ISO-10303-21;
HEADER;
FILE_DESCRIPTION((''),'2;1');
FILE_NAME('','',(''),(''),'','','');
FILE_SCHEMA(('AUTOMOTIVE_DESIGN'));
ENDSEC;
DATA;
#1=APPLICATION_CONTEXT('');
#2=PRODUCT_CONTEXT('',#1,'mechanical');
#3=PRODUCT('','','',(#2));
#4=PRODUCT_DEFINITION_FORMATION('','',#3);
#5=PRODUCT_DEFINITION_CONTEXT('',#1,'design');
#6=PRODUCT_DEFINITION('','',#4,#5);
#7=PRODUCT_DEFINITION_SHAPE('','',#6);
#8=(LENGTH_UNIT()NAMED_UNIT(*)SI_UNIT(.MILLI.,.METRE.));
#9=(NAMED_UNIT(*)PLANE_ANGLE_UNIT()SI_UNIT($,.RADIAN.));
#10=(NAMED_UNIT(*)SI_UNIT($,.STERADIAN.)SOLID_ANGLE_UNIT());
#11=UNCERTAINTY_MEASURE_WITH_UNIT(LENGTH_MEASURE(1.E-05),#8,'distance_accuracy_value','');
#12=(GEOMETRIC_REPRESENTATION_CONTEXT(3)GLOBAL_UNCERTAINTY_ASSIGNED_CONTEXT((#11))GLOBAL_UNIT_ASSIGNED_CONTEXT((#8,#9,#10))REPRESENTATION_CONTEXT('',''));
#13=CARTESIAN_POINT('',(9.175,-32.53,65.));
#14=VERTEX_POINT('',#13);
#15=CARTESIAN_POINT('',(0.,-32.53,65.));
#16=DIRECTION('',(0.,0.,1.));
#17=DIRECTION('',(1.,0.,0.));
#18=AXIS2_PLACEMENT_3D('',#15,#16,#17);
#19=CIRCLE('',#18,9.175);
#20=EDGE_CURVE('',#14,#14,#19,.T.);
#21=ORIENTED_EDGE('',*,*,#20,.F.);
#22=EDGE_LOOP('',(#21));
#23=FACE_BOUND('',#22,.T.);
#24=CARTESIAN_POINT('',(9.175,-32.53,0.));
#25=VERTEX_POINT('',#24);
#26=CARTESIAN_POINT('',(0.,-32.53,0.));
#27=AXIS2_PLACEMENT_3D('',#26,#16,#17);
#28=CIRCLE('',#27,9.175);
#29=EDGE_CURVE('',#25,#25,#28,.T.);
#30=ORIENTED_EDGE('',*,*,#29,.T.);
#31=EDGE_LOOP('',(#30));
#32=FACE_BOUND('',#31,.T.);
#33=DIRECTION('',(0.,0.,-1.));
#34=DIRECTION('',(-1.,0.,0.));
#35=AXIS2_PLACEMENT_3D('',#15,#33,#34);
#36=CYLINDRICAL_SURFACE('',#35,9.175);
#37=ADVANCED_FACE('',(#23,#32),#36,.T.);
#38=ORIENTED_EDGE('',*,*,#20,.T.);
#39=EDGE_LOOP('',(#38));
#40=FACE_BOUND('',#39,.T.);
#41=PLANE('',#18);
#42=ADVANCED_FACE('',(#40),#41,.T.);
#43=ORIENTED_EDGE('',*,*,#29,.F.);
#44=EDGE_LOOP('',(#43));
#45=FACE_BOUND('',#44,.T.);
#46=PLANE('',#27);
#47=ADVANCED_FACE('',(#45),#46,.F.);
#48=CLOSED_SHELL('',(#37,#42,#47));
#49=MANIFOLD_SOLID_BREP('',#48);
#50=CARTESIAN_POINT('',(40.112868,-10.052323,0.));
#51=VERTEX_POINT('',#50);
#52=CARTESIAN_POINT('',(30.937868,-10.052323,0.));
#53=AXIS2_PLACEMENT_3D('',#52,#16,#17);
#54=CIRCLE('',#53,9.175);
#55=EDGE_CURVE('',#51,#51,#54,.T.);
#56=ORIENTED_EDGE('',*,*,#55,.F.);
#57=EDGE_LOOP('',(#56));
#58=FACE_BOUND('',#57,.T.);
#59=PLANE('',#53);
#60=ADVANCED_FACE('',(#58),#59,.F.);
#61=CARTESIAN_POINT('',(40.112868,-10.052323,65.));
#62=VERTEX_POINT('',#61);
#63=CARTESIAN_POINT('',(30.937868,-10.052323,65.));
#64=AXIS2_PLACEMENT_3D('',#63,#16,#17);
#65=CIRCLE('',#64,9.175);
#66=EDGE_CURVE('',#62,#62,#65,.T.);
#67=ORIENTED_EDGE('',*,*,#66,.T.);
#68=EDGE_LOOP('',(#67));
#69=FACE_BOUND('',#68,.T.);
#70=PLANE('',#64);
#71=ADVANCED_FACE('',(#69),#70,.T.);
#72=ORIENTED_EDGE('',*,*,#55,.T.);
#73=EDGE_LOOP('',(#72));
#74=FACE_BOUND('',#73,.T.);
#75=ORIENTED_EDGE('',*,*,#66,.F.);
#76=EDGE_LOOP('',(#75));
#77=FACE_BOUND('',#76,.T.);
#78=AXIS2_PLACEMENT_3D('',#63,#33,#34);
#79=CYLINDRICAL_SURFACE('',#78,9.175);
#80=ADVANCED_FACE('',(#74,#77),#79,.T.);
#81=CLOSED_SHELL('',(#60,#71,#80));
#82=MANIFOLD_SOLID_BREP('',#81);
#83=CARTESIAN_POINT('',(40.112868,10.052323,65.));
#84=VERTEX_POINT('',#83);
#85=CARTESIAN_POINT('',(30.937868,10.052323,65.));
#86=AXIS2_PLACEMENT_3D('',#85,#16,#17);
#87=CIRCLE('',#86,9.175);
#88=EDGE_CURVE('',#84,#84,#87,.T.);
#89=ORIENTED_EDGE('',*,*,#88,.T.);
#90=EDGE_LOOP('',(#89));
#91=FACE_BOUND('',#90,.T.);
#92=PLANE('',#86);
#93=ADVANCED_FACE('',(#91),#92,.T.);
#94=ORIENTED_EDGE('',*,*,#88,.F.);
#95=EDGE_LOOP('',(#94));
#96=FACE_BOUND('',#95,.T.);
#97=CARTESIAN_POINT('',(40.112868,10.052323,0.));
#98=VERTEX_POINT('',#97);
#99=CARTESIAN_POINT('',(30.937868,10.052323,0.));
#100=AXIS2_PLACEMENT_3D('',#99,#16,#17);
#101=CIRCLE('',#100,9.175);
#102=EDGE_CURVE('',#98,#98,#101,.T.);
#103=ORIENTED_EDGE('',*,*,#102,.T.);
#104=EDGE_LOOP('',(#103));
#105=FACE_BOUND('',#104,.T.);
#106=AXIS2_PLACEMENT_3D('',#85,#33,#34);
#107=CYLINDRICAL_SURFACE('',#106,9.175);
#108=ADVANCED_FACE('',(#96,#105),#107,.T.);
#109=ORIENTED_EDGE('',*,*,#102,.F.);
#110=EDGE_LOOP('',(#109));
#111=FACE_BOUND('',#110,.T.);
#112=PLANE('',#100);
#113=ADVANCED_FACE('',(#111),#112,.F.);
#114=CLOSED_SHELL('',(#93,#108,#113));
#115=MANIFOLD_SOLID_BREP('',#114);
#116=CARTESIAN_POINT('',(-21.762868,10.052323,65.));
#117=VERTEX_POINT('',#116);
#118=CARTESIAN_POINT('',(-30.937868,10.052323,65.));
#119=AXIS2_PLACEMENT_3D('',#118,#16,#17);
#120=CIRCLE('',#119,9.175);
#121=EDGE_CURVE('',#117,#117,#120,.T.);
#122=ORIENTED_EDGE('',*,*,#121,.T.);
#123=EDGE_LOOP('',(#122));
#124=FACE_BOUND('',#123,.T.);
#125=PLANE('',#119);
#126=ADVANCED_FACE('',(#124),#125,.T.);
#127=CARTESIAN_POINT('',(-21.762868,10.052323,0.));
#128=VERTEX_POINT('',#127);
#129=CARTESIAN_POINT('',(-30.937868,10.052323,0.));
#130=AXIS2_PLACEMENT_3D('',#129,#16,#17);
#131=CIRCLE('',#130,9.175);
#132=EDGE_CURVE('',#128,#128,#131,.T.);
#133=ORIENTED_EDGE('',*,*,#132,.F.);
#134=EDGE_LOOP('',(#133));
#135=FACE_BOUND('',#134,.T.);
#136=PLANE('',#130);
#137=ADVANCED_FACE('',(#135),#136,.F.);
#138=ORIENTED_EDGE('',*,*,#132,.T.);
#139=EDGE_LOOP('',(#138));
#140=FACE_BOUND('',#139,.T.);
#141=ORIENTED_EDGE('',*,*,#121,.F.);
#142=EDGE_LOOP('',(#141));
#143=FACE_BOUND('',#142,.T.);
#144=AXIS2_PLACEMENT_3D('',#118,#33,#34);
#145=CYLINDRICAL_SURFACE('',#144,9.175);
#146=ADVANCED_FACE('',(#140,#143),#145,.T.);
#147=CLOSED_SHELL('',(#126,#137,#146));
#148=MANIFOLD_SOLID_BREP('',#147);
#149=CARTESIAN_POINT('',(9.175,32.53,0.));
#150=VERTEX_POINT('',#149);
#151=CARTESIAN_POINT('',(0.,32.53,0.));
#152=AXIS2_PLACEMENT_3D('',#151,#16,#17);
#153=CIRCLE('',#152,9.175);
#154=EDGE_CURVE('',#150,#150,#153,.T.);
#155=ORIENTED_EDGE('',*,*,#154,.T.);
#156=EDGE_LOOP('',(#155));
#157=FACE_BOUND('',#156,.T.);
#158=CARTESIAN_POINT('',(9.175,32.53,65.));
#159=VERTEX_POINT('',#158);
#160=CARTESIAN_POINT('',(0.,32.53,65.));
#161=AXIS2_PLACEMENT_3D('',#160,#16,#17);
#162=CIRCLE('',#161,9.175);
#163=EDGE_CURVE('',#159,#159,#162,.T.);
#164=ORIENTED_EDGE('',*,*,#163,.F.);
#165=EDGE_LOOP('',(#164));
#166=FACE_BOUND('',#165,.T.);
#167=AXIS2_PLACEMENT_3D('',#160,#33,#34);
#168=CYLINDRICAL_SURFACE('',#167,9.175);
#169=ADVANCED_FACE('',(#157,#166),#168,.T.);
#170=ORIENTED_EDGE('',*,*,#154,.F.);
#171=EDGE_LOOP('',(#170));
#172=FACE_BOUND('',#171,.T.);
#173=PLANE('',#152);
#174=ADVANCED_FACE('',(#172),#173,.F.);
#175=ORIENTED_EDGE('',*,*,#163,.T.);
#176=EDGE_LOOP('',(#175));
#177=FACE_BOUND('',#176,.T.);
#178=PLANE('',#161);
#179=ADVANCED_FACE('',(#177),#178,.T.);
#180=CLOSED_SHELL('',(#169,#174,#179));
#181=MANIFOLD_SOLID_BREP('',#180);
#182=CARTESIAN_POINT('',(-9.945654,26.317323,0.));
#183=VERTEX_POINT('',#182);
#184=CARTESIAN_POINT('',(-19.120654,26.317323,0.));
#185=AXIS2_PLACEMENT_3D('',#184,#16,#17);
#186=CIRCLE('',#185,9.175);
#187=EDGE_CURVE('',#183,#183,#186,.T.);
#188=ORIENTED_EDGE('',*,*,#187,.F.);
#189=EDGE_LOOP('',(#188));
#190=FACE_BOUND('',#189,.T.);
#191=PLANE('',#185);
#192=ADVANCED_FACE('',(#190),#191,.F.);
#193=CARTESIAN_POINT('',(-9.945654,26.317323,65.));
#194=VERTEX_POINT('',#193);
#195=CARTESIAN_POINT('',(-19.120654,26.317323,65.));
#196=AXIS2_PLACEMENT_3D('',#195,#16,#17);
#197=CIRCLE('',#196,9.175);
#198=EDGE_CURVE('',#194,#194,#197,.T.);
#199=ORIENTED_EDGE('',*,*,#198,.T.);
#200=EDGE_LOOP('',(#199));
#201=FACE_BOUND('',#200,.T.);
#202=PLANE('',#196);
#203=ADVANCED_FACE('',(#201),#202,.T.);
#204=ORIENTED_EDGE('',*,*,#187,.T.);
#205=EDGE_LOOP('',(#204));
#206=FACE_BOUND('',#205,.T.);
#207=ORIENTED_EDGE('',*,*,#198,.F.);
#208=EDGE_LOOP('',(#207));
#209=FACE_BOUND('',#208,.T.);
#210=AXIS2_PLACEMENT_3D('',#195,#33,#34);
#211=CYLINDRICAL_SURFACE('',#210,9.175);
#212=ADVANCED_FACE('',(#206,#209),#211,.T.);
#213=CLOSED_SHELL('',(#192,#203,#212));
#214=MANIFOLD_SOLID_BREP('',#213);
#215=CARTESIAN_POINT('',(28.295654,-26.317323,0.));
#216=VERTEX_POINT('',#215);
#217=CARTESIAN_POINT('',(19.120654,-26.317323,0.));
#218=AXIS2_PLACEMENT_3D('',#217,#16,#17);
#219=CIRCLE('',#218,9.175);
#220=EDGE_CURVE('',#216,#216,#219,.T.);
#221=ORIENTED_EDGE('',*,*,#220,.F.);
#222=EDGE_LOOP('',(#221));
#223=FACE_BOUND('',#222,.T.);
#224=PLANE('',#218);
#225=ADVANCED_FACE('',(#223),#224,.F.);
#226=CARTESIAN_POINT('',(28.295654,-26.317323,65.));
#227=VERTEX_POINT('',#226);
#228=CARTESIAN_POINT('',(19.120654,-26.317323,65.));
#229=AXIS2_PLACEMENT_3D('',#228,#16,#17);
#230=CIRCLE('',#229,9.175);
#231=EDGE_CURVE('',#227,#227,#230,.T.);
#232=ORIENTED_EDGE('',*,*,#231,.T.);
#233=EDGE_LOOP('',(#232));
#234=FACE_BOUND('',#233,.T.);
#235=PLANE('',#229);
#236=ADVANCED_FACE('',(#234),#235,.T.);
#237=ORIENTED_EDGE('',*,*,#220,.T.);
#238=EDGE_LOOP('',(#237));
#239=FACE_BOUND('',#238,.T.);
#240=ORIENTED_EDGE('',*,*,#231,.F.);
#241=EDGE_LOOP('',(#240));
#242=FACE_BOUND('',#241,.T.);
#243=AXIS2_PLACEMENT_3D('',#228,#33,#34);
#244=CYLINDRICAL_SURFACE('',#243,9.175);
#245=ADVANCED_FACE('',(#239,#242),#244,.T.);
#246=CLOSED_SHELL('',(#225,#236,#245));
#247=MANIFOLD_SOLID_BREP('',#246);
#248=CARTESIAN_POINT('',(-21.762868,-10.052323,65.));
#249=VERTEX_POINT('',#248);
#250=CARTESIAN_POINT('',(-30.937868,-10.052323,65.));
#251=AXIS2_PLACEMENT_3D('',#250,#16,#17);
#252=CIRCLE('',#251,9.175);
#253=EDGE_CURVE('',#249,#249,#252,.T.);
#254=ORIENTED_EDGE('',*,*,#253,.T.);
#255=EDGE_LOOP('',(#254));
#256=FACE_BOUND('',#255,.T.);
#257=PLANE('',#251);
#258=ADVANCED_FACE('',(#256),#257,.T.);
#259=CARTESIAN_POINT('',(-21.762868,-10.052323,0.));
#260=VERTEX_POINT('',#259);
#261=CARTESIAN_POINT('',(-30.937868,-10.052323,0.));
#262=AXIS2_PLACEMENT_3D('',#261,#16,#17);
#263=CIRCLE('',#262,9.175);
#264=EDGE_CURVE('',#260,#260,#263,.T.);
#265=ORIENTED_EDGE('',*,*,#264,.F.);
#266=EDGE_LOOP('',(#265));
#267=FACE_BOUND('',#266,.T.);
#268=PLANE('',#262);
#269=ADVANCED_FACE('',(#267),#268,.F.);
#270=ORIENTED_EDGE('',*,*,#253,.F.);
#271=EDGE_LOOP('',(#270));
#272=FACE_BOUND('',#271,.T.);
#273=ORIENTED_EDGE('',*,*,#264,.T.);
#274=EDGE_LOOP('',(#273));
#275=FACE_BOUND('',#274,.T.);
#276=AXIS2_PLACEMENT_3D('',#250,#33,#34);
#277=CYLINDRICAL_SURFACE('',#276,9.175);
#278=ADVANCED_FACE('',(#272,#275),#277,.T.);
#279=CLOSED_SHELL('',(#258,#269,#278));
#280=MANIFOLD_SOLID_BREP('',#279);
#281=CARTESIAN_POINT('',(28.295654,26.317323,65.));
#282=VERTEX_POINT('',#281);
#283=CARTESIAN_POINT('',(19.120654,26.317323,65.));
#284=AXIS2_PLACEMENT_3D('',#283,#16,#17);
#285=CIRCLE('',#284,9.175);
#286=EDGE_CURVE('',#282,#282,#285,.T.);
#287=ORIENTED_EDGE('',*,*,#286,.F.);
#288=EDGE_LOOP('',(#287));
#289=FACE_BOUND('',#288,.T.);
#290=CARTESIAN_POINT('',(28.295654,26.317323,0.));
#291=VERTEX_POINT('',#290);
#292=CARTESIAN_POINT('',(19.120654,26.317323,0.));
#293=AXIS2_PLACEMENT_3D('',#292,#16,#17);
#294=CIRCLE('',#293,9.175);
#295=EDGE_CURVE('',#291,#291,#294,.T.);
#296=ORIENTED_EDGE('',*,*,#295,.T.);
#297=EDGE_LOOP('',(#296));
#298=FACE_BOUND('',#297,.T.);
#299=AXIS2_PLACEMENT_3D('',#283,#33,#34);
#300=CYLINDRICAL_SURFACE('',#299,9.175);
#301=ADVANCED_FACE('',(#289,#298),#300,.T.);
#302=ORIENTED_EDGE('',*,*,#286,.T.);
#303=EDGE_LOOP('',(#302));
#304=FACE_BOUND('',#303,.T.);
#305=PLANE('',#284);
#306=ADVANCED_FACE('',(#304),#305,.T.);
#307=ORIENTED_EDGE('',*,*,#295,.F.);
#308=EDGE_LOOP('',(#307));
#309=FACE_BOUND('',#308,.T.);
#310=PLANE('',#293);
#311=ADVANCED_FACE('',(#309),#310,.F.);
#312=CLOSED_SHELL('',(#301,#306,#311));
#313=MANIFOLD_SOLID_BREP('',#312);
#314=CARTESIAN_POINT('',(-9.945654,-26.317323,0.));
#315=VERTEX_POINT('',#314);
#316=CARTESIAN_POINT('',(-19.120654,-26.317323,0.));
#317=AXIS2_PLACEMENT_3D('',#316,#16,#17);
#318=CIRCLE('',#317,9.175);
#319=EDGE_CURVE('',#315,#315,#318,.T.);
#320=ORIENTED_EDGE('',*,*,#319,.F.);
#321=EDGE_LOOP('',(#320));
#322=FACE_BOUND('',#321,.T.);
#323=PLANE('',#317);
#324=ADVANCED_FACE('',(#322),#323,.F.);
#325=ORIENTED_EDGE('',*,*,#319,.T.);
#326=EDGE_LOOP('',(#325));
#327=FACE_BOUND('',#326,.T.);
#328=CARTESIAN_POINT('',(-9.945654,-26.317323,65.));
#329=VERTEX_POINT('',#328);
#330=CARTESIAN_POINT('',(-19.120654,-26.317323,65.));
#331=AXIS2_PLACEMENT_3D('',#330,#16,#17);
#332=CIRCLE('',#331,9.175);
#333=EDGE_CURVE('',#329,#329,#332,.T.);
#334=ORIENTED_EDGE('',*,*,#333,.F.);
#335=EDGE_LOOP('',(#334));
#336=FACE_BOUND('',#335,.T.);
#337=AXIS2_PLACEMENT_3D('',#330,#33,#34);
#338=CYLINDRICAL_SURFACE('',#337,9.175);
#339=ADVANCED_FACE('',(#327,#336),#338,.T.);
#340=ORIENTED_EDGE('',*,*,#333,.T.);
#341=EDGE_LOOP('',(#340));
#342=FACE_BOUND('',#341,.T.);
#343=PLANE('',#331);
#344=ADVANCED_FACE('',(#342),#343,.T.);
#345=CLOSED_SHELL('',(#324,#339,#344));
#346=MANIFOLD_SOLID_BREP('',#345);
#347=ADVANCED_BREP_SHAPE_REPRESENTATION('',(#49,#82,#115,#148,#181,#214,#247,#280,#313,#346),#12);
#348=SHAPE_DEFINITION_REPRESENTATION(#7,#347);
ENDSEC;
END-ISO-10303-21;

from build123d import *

# Parameters (mm, degrees)
SKETCH2_R              = 9.175
BOSS_EXTRUDE1_DEPTH    = 65
BOSS_EXTRUDE1_2_DEPTH  = 65
BOSS_EXTRUDE1_3_DEPTH  = 65
BOSS_EXTRUDE1_4_DEPTH  = 65
BOSS_EXTRUDE1_5_DEPTH  = 65
BOSS_EXTRUDE1_6_DEPTH  = 65
BOSS_EXTRUDE1_7_DEPTH  = 65
BOSS_EXTRUDE1_8_DEPTH  = 65
BOSS_EXTRUDE1_9_DEPTH  = 65
BOSS_EXTRUDE1_10_DEPTH = 65


with BuildPart() as part:
    # Sketch2 → Boss-Extrude1 (new body)
    with BuildSketch(Plane.XY):
        with Locations((0, -32.53)):
            Circle(SKETCH2_R)
    extrude(amount=BOSS_EXTRUDE1_DEPTH)


with BuildPart() as body_2:
    # Sketch2 → Boss-Extrude1 2 (new body)
    with BuildSketch(Plane.XY):
        with Locations((-19.120654257, -26.317322827)):
            Circle(SKETCH2_R)
    extrude(amount=BOSS_EXTRUDE1_2_DEPTH)


with BuildPart() as body_3:
    # Sketch2 → Boss-Extrude1 3 (new body)
    with BuildSketch(Plane.XY):
        with Locations((-30.937868475, -10.052322827)):
            Circle(SKETCH2_R)
    extrude(amount=BOSS_EXTRUDE1_3_DEPTH)


with BuildPart() as body_4:
    # Sketch2 → Boss-Extrude1 4 (new body)
    with BuildSketch(Plane.XY):
        with Locations((-30.937868475, 10.052322827)):
            Circle(SKETCH2_R)
    extrude(amount=BOSS_EXTRUDE1_4_DEPTH)


with BuildPart() as body_5:
    # Sketch2 → Boss-Extrude1 5 (new body)
    with BuildSketch(Plane.XY):
        with Locations((-19.120654257, 26.317322827)):
            Circle(SKETCH2_R)
    extrude(amount=BOSS_EXTRUDE1_5_DEPTH)


with BuildPart() as body_6:
    # Sketch2 → Boss-Extrude1 6 (new body)
    with BuildSketch(Plane.XY):
        with Locations((0, 32.53)):
            Circle(SKETCH2_R)
    extrude(amount=BOSS_EXTRUDE1_6_DEPTH)


with BuildPart() as body_7:
    # Sketch2 → Boss-Extrude1 7 (new body)
    with BuildSketch(Plane.XY):
        with Locations((19.120654257, 26.317322827)):
            Circle(SKETCH2_R)
    extrude(amount=BOSS_EXTRUDE1_7_DEPTH)


with BuildPart() as body_8:
    # Sketch2 → Boss-Extrude1 8 (new body)
    with BuildSketch(Plane.XY):
        with Locations((30.937868475, 10.052322827)):
            Circle(SKETCH2_R)
    extrude(amount=BOSS_EXTRUDE1_8_DEPTH)


with BuildPart() as body_9:
    # Sketch2 → Boss-Extrude1 9 (new body)
    with BuildSketch(Plane.XY):
        with Locations((30.937868475, -10.052322827)):
            Circle(SKETCH2_R)
    extrude(amount=BOSS_EXTRUDE1_9_DEPTH)


with BuildPart() as body_10:
    # Sketch2 → Boss-Extrude1 10 (new body)
    with BuildSketch(Plane.XY):
        with Locations((19.120654257, -26.317322827)):
            Circle(SKETCH2_R)
    extrude(amount=BOSS_EXTRUDE1_10_DEPTH)


solid = Compound([part.part, body_2.part, body_3.part, body_4.part, body_5.part, body_6.part, body_7.part, body_8.part, body_9.part, body_10.part])
